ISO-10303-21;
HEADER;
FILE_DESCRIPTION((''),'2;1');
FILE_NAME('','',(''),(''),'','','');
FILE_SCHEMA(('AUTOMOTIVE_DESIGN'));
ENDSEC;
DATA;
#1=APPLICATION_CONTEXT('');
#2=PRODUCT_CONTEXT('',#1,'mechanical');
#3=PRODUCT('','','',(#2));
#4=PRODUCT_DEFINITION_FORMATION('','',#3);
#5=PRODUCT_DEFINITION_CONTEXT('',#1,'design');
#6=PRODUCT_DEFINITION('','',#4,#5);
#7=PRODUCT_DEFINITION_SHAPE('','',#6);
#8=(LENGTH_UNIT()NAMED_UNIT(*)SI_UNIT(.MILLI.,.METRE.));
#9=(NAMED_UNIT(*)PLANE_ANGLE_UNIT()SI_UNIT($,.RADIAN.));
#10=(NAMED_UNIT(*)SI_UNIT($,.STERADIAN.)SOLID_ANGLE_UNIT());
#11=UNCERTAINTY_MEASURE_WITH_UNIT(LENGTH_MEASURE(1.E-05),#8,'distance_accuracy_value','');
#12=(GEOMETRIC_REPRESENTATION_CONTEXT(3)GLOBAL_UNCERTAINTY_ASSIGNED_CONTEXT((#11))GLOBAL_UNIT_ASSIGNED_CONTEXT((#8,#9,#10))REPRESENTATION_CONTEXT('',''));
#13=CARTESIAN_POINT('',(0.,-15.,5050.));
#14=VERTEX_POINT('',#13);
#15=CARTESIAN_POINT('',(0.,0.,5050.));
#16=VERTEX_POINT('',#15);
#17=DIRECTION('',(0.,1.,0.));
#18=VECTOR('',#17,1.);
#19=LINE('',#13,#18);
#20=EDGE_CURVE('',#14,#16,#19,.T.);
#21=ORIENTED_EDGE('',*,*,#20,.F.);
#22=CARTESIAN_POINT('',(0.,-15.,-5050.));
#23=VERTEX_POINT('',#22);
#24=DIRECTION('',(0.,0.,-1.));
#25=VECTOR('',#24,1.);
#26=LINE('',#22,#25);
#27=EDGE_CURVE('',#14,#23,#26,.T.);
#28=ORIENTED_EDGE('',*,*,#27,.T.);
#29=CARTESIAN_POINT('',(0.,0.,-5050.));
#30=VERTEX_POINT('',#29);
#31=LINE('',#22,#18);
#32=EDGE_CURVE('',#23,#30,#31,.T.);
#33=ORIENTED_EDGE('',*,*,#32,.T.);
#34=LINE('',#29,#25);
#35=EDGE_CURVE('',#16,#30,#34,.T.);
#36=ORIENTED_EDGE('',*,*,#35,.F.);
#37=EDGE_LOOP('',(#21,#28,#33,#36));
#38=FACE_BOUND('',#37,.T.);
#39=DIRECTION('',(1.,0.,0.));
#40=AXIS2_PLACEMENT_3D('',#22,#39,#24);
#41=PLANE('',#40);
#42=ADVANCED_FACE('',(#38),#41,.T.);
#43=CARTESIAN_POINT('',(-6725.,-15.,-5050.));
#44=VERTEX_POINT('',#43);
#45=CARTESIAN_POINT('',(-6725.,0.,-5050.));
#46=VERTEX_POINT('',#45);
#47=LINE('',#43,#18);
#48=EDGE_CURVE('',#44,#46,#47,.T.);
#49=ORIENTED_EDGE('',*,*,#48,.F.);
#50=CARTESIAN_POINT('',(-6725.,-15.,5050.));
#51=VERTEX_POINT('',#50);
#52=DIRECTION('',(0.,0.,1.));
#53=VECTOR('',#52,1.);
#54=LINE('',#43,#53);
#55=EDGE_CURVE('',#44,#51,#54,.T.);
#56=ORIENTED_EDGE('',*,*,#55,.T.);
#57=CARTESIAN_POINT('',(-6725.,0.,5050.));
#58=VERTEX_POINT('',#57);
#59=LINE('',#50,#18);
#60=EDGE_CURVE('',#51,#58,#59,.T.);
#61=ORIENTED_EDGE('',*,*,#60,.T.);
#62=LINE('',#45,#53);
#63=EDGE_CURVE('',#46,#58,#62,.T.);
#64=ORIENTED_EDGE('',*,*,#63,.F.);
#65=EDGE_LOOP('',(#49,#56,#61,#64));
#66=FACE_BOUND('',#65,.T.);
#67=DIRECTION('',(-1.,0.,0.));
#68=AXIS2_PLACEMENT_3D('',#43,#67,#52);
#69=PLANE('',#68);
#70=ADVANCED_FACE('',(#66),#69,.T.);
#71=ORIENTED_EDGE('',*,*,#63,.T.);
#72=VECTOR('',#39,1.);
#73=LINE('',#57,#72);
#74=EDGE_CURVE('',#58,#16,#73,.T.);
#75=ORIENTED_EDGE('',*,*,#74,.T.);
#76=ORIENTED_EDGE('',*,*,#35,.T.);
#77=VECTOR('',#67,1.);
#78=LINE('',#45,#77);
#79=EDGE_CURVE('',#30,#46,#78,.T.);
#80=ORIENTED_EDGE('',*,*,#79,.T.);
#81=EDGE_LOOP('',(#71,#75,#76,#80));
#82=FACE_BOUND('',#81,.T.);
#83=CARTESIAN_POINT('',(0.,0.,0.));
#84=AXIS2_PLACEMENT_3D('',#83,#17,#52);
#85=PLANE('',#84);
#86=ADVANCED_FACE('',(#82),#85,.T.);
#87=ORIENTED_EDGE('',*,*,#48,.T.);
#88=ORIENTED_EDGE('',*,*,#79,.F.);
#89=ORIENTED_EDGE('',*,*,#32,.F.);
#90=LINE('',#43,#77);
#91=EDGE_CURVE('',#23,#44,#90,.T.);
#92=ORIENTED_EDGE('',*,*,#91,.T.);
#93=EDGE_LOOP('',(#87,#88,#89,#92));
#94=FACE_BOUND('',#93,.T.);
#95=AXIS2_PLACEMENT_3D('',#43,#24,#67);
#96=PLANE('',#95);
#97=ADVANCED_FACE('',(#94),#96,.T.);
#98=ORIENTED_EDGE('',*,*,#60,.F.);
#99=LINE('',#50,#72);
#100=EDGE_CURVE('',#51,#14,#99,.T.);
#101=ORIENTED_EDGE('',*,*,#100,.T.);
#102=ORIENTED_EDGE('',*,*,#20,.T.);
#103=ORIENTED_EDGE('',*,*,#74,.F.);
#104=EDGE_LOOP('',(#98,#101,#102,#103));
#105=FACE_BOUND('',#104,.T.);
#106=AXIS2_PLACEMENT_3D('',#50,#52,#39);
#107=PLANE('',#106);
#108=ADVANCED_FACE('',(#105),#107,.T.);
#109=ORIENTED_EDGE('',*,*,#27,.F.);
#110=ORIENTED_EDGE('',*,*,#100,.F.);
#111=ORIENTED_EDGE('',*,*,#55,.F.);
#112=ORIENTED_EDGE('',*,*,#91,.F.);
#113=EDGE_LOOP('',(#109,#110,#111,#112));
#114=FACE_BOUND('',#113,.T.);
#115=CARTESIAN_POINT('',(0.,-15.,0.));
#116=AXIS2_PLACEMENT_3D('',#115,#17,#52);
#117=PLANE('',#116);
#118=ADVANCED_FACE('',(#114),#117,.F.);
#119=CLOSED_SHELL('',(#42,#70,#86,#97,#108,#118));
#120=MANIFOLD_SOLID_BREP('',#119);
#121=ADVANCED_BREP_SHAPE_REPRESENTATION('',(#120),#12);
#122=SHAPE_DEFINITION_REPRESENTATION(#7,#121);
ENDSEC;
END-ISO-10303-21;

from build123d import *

# Parameters (mm, degrees)
SKETCH1_W           = 6725
SKETCH1_H           = 10100
BOSS_EXTRUDE1_DEPTH = 15


with BuildPart() as part:
    # Sketch1 → Boss-Extrude1 (new body)
    with BuildSketch(Plane(origin=(0, 0, 0), x_dir=(1, 0, 0), z_dir=(0, 1, 0))):
        with Locations((-3362.5, 0)):
            Rectangle(SKETCH1_W, SKETCH1_H)
    extrude(amount=-BOSS_EXTRUDE1_DEPTH)


solid = part.part
